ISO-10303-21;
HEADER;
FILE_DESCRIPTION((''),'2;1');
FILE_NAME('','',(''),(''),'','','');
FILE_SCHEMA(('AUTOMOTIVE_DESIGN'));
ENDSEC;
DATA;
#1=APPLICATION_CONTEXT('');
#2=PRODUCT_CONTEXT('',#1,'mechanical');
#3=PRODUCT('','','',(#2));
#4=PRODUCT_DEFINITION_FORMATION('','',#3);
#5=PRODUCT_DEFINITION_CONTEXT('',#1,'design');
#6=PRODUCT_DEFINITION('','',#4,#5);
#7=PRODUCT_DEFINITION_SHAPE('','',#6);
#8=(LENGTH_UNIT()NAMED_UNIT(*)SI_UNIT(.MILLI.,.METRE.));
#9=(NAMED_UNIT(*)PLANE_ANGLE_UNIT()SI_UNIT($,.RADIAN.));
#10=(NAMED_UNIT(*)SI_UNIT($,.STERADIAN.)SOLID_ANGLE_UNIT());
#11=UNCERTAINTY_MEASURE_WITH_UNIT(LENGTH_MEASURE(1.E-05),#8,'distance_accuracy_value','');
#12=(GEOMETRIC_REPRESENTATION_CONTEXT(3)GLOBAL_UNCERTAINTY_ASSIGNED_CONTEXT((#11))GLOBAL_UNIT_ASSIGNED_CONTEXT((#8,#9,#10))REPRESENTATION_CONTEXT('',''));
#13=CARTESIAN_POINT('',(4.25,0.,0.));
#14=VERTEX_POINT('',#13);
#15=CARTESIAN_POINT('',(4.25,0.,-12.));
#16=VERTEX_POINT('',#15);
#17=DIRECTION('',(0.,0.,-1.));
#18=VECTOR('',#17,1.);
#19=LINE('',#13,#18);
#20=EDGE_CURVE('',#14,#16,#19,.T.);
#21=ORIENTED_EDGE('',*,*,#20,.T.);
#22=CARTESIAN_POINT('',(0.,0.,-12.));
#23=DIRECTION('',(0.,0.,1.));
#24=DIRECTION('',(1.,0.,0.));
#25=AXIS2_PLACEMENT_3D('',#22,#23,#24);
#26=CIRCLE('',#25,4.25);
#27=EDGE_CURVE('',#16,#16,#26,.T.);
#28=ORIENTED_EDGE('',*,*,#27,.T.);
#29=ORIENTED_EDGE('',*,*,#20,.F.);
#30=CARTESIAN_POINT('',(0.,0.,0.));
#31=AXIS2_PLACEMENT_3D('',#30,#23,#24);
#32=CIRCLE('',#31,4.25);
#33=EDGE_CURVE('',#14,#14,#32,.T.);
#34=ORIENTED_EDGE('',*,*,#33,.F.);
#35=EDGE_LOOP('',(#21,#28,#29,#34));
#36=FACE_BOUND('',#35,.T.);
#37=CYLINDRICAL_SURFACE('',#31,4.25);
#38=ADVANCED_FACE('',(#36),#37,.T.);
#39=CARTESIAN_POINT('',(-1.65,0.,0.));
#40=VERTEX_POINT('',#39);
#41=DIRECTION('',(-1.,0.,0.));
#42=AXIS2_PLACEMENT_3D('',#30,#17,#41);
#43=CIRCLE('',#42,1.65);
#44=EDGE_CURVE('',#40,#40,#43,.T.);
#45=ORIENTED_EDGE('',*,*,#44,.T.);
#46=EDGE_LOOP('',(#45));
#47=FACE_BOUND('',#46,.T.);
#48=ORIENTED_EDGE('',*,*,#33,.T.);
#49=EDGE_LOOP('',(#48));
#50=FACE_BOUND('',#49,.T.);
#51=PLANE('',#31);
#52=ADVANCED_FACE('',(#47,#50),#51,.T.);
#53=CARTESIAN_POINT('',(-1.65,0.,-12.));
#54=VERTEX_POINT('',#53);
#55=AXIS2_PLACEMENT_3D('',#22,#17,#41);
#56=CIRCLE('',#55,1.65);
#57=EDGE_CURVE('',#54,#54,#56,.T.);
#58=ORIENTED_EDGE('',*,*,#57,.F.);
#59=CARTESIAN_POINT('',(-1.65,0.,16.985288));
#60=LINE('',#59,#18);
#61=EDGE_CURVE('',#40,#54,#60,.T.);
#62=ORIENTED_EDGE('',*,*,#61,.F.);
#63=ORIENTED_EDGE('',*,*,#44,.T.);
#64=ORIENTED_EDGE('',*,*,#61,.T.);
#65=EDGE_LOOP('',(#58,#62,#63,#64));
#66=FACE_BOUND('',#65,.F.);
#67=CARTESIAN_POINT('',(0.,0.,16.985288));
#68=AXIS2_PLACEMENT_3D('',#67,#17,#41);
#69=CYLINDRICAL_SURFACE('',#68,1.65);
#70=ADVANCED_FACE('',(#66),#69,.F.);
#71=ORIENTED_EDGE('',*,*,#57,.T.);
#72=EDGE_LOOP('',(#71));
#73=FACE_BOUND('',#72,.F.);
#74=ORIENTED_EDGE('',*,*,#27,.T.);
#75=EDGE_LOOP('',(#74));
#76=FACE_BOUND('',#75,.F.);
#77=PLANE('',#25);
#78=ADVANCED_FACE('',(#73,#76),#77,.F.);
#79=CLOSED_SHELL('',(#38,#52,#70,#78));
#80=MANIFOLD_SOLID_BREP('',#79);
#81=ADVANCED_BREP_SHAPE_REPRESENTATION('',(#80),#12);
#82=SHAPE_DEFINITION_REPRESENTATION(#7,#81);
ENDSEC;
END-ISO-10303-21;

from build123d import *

# Parameters (mm, degrees)
F0_R     = 4.25
F1_DEPTH = 12
F3_D     = 3.3


with BuildPart() as f1:
    # F0 (on Top) → F1 (new body)
    with BuildSketch(Plane.XY):
        Circle(F0_R)
    extrude(amount=-F1_DEPTH)

    # F3 (through all)
    with Locations(Plane.XY):
        with Locations((0, 0)):
            Hole(F3_D / 2)


solid = f1.part
